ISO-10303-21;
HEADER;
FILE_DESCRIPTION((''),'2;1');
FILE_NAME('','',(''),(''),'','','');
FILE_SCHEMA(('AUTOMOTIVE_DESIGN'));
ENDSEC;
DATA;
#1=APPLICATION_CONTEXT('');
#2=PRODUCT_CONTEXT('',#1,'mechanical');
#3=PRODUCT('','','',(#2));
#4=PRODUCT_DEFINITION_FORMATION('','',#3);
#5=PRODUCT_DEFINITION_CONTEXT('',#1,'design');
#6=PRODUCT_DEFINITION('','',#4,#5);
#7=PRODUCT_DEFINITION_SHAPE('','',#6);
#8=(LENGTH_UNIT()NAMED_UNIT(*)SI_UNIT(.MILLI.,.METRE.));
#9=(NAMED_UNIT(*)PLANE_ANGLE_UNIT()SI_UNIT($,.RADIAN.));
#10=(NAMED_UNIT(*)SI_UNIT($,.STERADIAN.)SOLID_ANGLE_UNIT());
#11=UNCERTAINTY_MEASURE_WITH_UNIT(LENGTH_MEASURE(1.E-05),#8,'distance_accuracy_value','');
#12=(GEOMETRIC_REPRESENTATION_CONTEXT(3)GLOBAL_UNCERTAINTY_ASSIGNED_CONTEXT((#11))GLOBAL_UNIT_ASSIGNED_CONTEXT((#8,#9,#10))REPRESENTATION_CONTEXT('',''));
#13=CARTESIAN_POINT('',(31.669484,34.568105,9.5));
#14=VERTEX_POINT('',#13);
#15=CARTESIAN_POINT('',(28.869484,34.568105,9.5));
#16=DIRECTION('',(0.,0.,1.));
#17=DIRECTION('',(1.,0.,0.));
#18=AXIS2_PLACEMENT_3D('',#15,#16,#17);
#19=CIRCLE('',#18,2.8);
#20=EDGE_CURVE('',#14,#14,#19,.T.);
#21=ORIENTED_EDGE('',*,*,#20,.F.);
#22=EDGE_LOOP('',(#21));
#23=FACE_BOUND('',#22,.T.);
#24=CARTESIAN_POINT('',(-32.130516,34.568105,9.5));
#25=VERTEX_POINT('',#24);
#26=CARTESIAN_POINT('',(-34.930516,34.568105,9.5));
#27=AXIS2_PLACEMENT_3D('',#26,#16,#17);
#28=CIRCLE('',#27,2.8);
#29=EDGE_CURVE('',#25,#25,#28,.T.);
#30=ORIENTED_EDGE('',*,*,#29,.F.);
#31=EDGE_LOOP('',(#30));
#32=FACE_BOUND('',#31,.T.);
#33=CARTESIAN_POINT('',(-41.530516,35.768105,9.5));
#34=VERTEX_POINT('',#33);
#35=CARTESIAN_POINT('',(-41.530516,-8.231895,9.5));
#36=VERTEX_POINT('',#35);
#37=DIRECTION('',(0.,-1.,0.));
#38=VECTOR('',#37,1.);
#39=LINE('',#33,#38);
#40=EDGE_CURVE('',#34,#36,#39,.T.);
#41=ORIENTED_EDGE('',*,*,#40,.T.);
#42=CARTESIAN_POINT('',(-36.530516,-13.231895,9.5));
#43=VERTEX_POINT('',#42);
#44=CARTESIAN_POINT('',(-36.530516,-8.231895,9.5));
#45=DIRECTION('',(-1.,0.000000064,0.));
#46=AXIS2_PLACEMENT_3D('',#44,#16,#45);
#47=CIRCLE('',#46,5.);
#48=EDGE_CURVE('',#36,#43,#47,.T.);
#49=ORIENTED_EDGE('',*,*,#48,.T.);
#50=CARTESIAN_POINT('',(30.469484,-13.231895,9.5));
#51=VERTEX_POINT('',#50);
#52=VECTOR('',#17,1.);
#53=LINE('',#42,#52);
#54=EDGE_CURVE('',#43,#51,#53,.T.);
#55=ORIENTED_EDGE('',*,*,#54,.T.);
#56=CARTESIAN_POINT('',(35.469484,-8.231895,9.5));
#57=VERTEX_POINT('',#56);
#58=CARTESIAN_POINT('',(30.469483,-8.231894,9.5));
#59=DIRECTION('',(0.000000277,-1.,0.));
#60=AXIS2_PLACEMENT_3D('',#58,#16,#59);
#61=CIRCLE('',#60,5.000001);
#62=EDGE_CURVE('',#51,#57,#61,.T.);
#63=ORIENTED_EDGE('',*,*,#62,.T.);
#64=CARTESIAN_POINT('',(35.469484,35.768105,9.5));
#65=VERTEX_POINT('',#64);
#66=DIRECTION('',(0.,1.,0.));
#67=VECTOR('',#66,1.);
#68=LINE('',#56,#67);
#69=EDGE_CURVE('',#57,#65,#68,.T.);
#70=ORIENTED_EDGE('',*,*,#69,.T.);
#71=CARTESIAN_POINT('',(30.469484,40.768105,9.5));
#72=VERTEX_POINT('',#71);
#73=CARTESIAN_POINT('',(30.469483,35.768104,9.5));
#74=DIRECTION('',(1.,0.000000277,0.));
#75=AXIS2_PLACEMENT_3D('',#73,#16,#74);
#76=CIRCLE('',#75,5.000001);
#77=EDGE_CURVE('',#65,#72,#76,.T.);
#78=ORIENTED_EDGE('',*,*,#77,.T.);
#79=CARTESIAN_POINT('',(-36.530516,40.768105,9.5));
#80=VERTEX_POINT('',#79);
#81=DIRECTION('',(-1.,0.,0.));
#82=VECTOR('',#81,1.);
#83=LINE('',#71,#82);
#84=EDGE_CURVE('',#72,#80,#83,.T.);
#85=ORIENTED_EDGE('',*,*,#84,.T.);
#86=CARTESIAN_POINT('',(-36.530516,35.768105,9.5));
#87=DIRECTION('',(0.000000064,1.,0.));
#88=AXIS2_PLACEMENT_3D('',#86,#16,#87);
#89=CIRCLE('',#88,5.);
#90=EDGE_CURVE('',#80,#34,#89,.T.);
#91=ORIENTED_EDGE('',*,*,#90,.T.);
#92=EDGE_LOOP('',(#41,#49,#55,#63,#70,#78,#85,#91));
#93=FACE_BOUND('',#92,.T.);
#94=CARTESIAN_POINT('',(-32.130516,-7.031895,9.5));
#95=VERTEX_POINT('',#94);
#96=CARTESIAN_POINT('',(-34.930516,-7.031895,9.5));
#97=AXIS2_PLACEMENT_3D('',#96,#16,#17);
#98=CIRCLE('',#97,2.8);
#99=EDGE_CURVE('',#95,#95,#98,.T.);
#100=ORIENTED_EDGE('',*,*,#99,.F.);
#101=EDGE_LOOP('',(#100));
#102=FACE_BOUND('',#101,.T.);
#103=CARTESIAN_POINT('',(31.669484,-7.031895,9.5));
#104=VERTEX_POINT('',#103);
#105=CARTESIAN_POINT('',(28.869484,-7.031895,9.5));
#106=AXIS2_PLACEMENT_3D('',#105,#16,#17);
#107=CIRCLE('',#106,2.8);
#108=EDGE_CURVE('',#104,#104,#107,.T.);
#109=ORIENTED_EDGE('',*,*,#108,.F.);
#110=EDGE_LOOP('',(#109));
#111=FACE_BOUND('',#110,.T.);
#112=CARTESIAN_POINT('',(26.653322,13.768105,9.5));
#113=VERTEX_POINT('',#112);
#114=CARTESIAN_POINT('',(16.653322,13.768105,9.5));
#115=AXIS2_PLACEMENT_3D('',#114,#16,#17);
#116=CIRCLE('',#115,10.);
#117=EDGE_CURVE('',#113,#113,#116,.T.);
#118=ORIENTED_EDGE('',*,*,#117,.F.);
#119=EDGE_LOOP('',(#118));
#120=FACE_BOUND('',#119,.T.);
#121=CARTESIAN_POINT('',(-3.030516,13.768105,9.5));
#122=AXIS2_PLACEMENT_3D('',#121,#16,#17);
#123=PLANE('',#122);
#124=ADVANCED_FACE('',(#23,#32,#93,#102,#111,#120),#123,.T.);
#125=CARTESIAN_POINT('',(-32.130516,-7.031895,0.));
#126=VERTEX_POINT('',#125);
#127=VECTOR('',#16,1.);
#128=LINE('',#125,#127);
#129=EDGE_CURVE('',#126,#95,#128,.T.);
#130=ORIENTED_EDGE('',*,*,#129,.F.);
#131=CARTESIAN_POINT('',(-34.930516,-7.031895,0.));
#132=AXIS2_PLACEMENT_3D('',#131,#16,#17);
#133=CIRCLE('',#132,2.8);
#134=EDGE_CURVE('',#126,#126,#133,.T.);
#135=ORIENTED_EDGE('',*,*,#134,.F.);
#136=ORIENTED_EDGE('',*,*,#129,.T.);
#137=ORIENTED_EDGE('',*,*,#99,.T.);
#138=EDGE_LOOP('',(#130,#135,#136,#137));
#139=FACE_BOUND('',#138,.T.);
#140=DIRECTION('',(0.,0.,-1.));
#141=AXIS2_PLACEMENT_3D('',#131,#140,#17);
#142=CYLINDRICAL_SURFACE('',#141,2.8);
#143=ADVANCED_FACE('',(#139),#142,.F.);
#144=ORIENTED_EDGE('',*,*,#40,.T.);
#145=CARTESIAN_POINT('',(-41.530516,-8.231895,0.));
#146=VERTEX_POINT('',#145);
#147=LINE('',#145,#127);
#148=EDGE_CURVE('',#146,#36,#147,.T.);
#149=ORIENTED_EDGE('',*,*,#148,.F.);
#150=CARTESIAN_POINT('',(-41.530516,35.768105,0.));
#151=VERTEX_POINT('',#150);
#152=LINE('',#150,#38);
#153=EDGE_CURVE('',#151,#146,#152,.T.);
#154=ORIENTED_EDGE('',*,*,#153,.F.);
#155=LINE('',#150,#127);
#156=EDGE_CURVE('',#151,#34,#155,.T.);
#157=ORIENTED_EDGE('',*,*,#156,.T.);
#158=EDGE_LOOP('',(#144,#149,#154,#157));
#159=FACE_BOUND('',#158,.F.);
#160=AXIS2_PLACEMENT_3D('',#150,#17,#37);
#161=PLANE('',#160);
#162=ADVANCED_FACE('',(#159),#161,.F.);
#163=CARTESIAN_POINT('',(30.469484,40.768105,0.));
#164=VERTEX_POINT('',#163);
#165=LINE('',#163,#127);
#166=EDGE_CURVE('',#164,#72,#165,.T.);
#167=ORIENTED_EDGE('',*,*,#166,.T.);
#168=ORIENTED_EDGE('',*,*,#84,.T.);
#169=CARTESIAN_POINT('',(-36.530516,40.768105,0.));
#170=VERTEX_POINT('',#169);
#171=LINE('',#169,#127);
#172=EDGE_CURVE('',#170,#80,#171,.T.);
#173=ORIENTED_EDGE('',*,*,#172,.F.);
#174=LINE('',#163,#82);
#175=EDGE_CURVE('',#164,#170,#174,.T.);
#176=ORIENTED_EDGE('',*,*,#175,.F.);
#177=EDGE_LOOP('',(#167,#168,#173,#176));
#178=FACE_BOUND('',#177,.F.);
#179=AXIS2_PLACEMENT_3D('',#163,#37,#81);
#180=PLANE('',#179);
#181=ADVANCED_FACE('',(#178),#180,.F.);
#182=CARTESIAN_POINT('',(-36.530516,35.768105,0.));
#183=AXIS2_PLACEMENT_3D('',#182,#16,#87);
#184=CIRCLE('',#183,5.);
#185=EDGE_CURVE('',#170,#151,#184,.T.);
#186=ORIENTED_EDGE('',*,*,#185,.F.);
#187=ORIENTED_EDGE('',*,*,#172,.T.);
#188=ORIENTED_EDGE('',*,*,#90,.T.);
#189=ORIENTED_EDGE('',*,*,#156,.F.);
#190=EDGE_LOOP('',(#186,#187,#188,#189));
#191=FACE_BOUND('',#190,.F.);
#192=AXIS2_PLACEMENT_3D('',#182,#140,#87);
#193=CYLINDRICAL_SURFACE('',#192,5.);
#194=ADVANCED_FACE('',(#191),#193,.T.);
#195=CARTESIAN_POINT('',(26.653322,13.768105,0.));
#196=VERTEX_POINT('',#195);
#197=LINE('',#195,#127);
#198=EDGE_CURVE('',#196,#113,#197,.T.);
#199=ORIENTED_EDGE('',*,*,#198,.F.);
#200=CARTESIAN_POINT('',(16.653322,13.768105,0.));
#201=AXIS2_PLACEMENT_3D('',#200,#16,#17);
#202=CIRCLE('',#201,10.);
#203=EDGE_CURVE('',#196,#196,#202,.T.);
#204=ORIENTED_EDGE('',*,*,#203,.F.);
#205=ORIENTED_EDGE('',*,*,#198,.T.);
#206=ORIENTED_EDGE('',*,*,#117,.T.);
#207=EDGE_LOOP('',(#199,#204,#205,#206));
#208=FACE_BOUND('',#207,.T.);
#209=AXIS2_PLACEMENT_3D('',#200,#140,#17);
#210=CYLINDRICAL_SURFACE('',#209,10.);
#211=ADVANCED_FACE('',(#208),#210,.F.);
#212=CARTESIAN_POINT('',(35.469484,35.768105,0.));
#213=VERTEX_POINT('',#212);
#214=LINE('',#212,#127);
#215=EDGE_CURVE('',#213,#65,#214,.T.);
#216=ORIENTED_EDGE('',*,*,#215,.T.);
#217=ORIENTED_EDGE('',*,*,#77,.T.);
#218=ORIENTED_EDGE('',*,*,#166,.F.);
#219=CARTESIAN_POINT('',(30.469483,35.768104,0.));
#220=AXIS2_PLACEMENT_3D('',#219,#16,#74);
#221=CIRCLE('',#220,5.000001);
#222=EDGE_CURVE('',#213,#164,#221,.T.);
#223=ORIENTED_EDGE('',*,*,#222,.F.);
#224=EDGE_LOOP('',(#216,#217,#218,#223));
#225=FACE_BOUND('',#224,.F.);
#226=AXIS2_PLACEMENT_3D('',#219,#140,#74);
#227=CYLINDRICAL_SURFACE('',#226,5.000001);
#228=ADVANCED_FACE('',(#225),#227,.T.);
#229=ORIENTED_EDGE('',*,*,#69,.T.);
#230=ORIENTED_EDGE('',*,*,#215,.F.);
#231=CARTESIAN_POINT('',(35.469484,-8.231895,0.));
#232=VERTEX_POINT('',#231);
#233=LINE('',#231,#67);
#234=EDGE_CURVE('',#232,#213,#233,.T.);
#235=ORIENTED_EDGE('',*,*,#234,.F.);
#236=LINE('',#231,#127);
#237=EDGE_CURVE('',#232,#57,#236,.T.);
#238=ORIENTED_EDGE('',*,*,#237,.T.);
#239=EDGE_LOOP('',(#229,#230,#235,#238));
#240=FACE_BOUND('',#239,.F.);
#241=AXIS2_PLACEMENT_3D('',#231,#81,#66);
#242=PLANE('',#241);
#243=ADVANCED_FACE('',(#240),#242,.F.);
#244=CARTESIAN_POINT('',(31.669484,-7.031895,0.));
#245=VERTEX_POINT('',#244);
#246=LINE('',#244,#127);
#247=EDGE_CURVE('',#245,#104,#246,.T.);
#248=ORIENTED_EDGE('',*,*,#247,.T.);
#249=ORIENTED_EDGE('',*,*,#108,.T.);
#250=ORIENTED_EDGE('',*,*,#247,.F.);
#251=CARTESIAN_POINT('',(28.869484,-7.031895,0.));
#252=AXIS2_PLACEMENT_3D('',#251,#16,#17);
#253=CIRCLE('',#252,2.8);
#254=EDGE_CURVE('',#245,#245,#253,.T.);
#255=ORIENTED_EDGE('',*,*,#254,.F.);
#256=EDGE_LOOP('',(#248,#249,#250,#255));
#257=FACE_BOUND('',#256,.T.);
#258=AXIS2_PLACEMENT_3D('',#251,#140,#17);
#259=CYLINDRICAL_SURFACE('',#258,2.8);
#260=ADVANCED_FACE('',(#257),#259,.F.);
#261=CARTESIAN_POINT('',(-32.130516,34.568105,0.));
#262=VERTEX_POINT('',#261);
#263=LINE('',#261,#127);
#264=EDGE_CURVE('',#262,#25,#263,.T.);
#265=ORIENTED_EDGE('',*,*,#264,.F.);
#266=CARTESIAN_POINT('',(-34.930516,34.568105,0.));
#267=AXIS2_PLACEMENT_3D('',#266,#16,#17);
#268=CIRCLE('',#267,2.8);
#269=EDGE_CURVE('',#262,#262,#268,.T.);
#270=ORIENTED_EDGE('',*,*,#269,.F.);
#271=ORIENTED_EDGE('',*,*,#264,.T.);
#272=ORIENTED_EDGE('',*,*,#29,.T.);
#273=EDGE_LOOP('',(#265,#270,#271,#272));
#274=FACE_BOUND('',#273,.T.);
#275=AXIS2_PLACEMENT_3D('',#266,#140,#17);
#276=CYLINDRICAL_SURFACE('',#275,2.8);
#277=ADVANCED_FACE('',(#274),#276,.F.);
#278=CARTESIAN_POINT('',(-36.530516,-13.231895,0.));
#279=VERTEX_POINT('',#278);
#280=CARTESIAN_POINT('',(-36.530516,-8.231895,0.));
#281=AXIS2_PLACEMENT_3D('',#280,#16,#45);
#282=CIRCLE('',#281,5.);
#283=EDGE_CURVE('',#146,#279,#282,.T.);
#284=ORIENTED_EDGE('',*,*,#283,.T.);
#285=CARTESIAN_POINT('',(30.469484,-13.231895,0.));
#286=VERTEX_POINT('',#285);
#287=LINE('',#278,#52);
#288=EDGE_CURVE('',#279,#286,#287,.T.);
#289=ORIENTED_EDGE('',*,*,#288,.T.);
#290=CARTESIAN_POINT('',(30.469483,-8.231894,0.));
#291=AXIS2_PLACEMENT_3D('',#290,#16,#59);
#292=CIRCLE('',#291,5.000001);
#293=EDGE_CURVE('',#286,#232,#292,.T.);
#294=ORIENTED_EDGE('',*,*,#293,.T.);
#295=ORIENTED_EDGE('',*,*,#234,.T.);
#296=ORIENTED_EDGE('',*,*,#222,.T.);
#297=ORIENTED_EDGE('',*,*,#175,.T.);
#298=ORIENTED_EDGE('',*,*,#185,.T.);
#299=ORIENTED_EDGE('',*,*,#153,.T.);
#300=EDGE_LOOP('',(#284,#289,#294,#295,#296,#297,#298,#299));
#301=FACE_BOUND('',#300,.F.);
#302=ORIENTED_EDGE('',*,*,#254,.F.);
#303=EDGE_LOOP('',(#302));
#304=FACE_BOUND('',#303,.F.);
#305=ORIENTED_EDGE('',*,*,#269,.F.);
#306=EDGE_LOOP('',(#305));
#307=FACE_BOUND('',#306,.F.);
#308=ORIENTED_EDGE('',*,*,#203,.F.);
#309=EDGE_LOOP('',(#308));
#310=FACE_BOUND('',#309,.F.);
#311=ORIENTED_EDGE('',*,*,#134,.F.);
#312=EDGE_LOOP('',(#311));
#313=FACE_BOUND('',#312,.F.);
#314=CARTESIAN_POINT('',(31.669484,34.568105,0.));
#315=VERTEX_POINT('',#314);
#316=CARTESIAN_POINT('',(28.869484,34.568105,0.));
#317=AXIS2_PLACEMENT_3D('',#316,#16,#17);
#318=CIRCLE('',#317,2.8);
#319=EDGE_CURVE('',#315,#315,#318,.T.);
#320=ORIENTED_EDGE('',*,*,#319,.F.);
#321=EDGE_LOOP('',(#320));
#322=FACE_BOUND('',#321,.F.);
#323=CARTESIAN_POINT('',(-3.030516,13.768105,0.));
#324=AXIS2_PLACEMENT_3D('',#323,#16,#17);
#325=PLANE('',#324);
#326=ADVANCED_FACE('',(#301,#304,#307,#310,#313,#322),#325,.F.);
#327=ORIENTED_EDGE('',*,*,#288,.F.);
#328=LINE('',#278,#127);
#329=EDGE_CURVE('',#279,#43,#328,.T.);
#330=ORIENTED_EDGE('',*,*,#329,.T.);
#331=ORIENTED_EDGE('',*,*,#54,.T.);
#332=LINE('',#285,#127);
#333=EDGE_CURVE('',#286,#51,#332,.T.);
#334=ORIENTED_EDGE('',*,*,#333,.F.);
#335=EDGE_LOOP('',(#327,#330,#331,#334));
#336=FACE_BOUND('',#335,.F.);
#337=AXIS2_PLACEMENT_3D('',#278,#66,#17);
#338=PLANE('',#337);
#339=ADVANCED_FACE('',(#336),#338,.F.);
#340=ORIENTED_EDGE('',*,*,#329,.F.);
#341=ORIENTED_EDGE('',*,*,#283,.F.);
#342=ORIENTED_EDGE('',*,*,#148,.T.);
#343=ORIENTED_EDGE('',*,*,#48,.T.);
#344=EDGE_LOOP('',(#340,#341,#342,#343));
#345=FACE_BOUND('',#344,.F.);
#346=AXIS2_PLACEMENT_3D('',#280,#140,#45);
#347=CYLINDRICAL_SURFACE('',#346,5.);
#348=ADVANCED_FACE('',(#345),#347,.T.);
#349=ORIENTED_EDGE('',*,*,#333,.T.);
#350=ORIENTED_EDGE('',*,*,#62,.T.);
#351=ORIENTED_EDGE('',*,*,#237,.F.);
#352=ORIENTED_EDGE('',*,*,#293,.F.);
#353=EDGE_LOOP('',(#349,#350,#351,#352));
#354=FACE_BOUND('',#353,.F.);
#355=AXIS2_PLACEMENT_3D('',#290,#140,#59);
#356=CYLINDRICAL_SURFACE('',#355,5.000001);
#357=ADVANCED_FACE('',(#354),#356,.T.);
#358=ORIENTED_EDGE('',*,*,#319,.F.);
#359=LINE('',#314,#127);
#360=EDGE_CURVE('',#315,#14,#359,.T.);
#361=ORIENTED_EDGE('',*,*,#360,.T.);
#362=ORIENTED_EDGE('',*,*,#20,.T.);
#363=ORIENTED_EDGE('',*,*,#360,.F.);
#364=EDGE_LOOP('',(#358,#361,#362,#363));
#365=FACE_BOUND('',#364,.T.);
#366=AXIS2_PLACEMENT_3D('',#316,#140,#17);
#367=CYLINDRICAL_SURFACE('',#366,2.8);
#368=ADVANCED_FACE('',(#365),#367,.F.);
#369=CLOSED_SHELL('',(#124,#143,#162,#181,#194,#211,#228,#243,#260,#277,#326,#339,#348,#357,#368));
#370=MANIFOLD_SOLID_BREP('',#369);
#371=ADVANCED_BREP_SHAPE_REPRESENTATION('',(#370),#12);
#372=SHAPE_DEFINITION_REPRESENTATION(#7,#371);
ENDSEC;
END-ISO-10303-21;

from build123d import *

# Parameters (mm, degrees)
F0_R     = 2.8
F0_R_2   = 10
F1_DEPTH = 9.5


with BuildPart() as f1:
    # F0 (on Top) → F1 (new body)
    with BuildSketch(Plane.XY):
        with BuildLine():
            Line((30.469484, 40.768105), (-36.530516, 40.768105))
            ThreePointArc((-36.530516, 40.768105), (-40.06605, 39.303639), (-41.530516, 35.768105))
            Line((-41.530516, 35.768105), (-41.530516, -8.231895))
            ThreePointArc((-41.530516, -8.231895), (-40.06605, -11.767429), (-36.530516, -13.231895))
            Line((-36.530516, -13.231895), (30.469484, -13.231895))
            ThreePointArc((30.469484, -13.231895), (34.005017, -11.767429), (35.469484, -8.231895))
            Line((35.469484, -8.231895), (35.469484, 35.768105))
            ThreePointArc((35.469484, 35.768105), (34.005017, 39.303639), (30.469484, 40.768105))
        make_face()
        with Locations((-34.930516, -7.031895)):
            Circle(F0_R, mode=Mode.SUBTRACT)
        with Locations((28.869484, -7.031895)):
            Circle(F0_R, mode=Mode.SUBTRACT)
        with Locations((-34.930516, 34.568105)):
            Circle(F0_R, mode=Mode.SUBTRACT)
        with Locations((16.653322, 13.768105)):
            Circle(F0_R_2, mode=Mode.SUBTRACT)
        with Locations((28.869484, 34.568105)):
            Circle(F0_R, mode=Mode.SUBTRACT)
    extrude(amount=F1_DEPTH)


solid = f1.part
